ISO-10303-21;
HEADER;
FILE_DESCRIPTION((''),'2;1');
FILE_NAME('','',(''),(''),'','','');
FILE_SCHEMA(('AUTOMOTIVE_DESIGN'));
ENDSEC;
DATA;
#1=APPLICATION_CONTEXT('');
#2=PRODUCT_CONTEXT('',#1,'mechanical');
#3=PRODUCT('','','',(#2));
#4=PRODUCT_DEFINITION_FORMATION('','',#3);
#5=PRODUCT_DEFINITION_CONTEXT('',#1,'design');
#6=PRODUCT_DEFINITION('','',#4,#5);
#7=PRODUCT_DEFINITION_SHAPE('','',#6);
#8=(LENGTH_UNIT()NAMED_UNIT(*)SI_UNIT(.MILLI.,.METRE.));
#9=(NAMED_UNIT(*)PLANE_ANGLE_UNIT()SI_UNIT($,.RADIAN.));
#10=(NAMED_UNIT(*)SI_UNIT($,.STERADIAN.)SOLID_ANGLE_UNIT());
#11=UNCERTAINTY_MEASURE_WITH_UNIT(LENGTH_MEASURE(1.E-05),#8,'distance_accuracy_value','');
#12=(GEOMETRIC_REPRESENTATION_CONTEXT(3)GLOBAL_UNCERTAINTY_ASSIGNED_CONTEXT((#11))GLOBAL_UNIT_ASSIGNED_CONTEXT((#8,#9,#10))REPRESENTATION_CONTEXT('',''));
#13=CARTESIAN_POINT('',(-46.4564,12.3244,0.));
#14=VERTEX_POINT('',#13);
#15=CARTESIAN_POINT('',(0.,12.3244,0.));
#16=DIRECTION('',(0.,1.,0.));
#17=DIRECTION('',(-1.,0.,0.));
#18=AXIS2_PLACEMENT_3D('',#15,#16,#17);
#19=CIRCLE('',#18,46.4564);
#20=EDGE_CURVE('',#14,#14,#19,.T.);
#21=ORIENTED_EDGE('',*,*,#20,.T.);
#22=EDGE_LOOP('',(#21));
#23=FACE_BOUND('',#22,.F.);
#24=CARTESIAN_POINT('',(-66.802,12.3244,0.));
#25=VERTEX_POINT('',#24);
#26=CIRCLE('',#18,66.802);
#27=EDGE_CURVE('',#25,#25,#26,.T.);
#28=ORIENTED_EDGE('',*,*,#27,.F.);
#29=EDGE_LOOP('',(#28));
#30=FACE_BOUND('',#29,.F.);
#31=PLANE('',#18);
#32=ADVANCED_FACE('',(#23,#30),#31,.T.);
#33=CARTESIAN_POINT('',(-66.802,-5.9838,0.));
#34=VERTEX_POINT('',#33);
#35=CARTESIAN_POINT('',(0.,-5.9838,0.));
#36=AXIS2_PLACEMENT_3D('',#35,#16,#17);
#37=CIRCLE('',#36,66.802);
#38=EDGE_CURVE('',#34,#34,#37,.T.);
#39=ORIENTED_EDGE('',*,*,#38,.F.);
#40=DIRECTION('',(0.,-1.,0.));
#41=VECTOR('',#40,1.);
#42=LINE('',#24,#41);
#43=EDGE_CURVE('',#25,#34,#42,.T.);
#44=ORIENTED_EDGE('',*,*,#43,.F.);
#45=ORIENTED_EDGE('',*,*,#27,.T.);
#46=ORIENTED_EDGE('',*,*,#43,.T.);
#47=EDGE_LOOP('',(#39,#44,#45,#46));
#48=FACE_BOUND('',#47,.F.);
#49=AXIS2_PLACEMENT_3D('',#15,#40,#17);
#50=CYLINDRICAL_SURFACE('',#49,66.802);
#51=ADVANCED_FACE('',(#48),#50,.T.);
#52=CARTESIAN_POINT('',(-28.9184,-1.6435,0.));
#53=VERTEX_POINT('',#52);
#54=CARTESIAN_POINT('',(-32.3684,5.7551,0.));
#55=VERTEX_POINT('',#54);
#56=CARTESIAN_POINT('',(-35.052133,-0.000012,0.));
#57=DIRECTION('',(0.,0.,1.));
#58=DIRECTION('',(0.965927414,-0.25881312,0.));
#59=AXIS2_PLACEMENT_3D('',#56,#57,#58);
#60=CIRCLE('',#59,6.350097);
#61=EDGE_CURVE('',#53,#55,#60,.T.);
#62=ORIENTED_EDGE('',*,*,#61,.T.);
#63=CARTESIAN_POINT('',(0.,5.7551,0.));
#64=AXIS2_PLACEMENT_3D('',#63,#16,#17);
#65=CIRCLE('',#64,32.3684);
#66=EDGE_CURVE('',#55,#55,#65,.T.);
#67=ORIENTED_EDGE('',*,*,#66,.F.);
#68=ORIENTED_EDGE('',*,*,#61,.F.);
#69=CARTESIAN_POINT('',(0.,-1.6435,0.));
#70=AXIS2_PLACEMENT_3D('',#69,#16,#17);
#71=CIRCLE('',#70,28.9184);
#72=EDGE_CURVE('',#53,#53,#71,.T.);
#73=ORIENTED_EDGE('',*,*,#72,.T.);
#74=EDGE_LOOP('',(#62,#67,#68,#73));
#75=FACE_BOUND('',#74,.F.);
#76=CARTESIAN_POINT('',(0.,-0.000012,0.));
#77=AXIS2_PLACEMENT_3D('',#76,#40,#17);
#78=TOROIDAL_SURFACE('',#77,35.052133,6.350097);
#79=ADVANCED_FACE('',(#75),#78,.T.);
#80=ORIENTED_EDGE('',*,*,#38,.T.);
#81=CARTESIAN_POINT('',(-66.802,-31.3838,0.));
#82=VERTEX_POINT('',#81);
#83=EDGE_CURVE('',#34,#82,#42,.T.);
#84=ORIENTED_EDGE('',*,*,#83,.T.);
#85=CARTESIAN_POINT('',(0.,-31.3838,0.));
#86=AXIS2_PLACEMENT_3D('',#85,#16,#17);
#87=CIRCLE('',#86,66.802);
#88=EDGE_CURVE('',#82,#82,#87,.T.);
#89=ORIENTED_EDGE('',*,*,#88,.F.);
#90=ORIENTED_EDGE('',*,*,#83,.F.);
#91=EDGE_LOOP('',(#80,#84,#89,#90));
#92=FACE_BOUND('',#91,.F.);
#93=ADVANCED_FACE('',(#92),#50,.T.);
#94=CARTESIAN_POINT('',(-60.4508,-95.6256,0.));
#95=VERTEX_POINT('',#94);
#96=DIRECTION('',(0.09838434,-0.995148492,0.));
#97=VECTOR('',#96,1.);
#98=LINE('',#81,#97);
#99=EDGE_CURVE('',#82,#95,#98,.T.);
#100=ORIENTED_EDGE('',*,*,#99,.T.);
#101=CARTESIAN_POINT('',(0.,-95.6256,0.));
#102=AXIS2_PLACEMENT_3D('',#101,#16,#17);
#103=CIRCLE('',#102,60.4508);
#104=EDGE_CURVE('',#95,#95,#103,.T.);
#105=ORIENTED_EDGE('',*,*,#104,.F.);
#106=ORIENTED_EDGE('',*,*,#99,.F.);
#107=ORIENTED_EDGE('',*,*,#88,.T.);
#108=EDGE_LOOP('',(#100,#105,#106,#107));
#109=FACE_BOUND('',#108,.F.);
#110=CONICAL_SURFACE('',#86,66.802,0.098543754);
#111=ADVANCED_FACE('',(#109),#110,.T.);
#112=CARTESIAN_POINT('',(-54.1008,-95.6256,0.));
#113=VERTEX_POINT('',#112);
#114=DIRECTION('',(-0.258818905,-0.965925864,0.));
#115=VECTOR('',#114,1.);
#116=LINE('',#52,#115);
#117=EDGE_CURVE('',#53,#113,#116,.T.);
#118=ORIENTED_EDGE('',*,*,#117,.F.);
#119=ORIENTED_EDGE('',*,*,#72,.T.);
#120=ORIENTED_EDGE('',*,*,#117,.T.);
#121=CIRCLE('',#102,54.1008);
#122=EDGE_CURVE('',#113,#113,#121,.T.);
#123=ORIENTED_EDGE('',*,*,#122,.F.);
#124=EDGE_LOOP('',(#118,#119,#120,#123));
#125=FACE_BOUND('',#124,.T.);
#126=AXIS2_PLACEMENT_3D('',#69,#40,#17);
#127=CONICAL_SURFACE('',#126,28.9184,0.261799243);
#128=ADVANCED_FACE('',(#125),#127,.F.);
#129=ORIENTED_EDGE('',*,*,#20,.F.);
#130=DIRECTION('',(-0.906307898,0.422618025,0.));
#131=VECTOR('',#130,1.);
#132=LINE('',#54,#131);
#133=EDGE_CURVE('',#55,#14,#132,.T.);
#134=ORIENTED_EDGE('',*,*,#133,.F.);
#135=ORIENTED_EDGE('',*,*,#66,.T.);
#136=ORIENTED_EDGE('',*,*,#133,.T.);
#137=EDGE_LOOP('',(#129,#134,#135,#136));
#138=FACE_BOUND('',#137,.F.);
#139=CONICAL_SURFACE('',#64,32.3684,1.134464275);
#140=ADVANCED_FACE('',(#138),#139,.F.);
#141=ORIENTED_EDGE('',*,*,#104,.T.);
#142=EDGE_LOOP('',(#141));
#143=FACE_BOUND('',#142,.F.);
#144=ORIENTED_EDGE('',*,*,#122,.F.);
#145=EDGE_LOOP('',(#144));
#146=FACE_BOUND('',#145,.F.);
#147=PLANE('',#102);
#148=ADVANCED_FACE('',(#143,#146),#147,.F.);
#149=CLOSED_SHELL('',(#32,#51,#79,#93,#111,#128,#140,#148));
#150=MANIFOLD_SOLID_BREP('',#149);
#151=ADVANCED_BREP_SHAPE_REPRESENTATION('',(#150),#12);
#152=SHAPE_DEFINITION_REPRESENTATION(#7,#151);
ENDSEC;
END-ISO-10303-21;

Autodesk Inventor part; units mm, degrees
ref_plane "YZ Plane" through (0, 0, 0) normal (1, 0, 0) x (0, 1, 0)
ref_plane "XZ Plane" through (0, 0, 0) normal (0, 1, 0) x (-1, 0, 0)
ref_plane "XY Plane" through (0, 0, 0) normal (0, 0, 1) x (1, 0, 0)
sketch "Sketch1" plane through (0, 0, 0) normal (0, 0, 1) x (1, 0, 0)
  arc A0 (-28.9184, -1.6435) -> (-32.3684, 5.7551) centre (-35.052, 0) ccw
  line L0 (-28.702, 47.5942) -> (-28.702, -124.4009) construction
  line L1 (-32.3684, 5.7551) -> (-88.9, 32.1162)
  line L2 (-28.9184, -1.6435) -> (-86.2301, -215.5338)
  line L3 (-46.4564, 12.3244) -> (-66.802, 12.3244)
  line L4 (-60.4508, -95.6256) -> (-54.1008, -95.6256)
  line L5 (-73.152, -5.9838) -> (-73.152, -131.1779)
  line L6 (-73.152, -131.1779) -> (-63.627, -131.1779)
  line L7 (58.5667, 38.1) -> (-194.088, 38.1) construction
  line L8 (-95.25, 6.7162) -> (-95.25, -5.9838)
  line L9 (-95.25, 6.7162) -> (-88.9, 6.7162)
  line L10 (-88.9, 6.7162) -> (-88.9, 32.1162)
  line L11 (-95.25, -5.9838) -> (-73.152, -5.9838)
  line L12 (-95.25, -5.9838) -> (-95.25, -18.6838)
  line L13 (-95.25, -18.6838) -> (-89.3064, -18.6838)
  line L14 (-89.3064, -18.6838) -> (-89.3064, -24.6274)
  line L15 (-89.3064, -24.6274) -> (-95.25, -24.6274)
  line L16 (-95.25, -24.6274) -> (-95.25, -82.1838)
  line L17 (-95.25, -82.1838) -> (-82.55, -82.1838)
  line L18 (-89.3064, -18.6838) -> (-82.55, -18.6838)
  line L19 (-82.55, -18.6838) -> (-82.55, -82.1838)
  line L20 (-95.25, -82.1838) -> (-101.6, -82.1838)
  line L21 (-66.802, 12.3244) -> (-66.802, -31.3838)
  line L22 (-66.802, -31.3838) -> (-60.4508, -95.6256)
  line L23 (-82.55, -178.1009) -> (-76.2, -178.1009)
  line L24 (-82.55, -82.1838) -> (-82.55, -178.1009)
  line L25 (-86.2301, -215.5338) -> (-89.4051, -215.5338)
  line L26 (-89.4051, -215.5338) -> (-101.6, -82.1838)
  line L27 (-69.977, -5.9838) -> (-69.977, -31.3838)
  line L28 (-69.977, -31.3838) -> (-73.152, -31.3838)
  line L29 (-69.977, -5.9838) -> (-66.802, -5.9838)
  line L30 (-101.6, -82.1838) -> (-28.702, -82.1838) construction
  line L31 (0, -268.1594) -> (0, 100.2199) projected
  point P0 (0, 0)
  dimension "d0" = 12.7
  dimension "d1" = 28.702
  dimension "d3" = 15
  dimension "d4" = 6.35
  dimension "d9" = 38.1
  dimension "d11" = 12.7
  dimension "d13" = 95.25
  dimension "d14" = 6.35
  dimension "d15" = 25.4
  dimension "d17" = 12.7
  dimension "d18" = 5.9436
  dimension "d19" = 5.9436
  dimension "d20" = 12.7
  dimension "d22" = 107.95
  dimension "d23" = 63.5
  dimension "d25" = 25.4
  dimension "d26" = 6.35
  dimension "d27" = 133.35
  dimension "d28" = 3.175
  dimension "d29" = 101.6
  dimension "d30" = 6.35
  dimension "d31" = 25
  dimension "d32" = 44.45
  dimension "d33" = 3.175
  dimension "d34" = 20.3456
  dimension "d35" = 9.525
revolve "Revolution1" add sketch "Sketch1" angle 360 about axis through (0, -10, 0) along (0, 1, 0) contours L2 L4 L22 L21 L3 L1 A0
properties part number "graphite" material "GFRC"
